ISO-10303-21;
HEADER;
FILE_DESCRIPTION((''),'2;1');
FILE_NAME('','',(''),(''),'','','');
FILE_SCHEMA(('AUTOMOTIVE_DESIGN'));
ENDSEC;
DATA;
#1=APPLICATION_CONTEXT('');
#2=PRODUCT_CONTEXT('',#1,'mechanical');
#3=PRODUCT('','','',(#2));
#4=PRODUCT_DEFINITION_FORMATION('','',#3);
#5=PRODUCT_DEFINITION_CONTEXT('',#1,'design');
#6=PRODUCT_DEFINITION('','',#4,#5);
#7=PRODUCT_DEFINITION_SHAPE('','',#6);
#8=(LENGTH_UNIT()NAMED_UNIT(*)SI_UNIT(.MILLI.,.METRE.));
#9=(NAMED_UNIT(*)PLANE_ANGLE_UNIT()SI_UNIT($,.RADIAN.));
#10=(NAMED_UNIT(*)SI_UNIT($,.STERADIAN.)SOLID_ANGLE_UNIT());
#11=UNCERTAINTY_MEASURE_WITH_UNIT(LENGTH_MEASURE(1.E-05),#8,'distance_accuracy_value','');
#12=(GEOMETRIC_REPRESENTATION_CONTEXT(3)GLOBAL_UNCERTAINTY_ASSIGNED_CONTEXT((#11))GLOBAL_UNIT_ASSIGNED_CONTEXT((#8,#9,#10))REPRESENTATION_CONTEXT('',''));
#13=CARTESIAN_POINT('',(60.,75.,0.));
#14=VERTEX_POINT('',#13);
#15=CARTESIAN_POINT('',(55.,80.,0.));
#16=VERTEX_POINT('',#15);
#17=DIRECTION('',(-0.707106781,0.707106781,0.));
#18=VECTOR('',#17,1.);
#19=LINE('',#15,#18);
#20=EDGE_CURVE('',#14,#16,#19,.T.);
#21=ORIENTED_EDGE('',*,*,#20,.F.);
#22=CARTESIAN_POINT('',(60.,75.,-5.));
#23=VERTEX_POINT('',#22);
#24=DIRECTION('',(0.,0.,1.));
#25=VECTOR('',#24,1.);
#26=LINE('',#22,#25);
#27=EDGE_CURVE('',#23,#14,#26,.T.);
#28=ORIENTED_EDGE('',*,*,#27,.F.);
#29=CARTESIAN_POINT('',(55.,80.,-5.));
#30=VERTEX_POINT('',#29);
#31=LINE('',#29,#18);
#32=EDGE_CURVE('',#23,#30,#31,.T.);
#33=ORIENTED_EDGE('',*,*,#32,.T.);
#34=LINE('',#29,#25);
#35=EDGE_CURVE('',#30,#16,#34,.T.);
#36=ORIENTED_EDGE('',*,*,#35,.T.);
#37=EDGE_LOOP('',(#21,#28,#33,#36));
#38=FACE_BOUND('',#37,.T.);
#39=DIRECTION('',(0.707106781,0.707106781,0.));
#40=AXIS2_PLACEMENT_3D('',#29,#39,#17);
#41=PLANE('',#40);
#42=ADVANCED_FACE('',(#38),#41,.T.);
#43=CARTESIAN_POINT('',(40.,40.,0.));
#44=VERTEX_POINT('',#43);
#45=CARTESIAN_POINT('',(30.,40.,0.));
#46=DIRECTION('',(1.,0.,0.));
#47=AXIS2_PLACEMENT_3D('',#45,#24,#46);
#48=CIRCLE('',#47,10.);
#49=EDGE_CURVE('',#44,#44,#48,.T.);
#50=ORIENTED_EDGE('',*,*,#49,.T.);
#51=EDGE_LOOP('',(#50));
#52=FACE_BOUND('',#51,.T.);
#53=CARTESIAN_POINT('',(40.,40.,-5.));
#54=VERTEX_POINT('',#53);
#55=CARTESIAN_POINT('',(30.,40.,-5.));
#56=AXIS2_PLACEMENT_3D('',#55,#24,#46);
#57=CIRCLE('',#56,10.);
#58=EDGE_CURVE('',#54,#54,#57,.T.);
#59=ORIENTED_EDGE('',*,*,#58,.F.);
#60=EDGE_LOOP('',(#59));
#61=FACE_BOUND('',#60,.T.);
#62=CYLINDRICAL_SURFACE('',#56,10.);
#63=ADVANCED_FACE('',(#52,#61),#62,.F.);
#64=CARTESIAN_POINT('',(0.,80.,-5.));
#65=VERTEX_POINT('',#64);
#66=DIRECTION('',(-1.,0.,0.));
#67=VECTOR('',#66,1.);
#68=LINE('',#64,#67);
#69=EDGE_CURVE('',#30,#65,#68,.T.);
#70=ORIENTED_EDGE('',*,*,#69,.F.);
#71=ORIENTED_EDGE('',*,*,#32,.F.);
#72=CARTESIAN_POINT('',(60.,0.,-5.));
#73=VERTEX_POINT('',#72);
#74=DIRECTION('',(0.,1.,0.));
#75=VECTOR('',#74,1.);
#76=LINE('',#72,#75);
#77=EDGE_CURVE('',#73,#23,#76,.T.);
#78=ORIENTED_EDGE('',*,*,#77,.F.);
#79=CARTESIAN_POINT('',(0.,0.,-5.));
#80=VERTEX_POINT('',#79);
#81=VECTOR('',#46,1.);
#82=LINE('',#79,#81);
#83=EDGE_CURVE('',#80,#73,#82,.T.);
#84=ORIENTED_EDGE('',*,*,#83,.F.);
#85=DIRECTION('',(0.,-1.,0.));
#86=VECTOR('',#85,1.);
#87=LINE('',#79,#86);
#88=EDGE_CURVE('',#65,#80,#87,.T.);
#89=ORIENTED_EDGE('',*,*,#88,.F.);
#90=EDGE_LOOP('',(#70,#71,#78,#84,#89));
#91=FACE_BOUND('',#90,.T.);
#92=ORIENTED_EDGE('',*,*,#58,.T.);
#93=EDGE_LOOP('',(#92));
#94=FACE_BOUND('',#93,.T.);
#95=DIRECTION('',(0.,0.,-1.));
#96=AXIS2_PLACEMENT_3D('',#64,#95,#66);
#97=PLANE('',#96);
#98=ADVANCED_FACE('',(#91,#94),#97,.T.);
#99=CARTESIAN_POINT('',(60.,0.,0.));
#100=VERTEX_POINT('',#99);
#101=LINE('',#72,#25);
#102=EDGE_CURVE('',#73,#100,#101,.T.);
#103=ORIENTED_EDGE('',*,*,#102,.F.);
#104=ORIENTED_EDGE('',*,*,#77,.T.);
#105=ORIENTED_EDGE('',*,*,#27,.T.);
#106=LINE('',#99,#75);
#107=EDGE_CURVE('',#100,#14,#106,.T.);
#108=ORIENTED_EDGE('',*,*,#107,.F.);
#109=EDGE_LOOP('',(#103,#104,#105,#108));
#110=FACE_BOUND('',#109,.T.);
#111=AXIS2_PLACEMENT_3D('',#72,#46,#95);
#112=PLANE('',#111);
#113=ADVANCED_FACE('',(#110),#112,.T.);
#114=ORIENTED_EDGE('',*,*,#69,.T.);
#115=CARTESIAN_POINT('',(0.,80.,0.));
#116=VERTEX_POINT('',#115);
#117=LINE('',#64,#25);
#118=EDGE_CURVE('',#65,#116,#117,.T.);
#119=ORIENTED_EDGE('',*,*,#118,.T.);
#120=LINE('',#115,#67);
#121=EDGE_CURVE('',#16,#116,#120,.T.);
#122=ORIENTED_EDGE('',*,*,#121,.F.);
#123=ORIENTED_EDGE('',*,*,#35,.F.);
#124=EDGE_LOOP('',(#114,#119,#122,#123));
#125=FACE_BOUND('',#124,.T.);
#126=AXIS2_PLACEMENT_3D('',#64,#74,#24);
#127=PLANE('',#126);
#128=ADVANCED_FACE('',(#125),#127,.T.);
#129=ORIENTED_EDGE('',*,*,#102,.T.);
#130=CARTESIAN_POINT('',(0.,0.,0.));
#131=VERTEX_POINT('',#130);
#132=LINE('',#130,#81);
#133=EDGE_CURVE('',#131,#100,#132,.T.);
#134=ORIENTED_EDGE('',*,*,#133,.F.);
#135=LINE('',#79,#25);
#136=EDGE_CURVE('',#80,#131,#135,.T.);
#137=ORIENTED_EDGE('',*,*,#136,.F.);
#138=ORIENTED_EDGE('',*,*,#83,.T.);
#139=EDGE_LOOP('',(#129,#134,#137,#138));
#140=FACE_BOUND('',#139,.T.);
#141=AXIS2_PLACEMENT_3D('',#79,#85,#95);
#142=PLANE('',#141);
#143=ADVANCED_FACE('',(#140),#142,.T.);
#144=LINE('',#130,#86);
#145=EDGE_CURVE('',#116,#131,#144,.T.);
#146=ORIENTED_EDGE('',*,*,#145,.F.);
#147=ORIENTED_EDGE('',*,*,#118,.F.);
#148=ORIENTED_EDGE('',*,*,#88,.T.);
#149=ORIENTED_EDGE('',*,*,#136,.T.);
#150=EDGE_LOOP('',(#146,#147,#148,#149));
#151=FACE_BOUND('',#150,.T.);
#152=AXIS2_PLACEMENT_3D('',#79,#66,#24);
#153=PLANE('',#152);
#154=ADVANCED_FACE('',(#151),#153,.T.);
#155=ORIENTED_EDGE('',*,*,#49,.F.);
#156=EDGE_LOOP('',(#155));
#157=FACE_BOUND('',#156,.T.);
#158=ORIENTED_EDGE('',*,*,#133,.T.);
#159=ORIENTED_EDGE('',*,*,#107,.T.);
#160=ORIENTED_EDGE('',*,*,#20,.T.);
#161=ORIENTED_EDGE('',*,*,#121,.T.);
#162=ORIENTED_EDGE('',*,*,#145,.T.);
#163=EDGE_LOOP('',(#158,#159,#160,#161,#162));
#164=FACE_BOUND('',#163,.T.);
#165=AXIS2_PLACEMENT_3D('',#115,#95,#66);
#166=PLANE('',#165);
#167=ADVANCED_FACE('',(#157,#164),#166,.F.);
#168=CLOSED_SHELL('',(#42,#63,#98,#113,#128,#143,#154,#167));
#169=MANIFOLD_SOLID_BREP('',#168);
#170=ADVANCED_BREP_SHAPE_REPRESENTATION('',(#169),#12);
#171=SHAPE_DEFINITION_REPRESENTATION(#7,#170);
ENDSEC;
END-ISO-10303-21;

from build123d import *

# Parameters (mm, degrees)
SKETCH1_R      = 10
EXTRUDE1_DEPTH = 5


with BuildPart() as part:
    # Sketch1 → Extrude1 (new body)
    with BuildSketch(Plane.XY):
        Polygon((55, 80), (60, 75), (60, 0), (0, 0), (0, 80), align=None)
        with Locations((30, 40)):
            Circle(SKETCH1_R, mode=Mode.SUBTRACT)
    extrude(amount=-EXTRUDE1_DEPTH)


solid = part.part
